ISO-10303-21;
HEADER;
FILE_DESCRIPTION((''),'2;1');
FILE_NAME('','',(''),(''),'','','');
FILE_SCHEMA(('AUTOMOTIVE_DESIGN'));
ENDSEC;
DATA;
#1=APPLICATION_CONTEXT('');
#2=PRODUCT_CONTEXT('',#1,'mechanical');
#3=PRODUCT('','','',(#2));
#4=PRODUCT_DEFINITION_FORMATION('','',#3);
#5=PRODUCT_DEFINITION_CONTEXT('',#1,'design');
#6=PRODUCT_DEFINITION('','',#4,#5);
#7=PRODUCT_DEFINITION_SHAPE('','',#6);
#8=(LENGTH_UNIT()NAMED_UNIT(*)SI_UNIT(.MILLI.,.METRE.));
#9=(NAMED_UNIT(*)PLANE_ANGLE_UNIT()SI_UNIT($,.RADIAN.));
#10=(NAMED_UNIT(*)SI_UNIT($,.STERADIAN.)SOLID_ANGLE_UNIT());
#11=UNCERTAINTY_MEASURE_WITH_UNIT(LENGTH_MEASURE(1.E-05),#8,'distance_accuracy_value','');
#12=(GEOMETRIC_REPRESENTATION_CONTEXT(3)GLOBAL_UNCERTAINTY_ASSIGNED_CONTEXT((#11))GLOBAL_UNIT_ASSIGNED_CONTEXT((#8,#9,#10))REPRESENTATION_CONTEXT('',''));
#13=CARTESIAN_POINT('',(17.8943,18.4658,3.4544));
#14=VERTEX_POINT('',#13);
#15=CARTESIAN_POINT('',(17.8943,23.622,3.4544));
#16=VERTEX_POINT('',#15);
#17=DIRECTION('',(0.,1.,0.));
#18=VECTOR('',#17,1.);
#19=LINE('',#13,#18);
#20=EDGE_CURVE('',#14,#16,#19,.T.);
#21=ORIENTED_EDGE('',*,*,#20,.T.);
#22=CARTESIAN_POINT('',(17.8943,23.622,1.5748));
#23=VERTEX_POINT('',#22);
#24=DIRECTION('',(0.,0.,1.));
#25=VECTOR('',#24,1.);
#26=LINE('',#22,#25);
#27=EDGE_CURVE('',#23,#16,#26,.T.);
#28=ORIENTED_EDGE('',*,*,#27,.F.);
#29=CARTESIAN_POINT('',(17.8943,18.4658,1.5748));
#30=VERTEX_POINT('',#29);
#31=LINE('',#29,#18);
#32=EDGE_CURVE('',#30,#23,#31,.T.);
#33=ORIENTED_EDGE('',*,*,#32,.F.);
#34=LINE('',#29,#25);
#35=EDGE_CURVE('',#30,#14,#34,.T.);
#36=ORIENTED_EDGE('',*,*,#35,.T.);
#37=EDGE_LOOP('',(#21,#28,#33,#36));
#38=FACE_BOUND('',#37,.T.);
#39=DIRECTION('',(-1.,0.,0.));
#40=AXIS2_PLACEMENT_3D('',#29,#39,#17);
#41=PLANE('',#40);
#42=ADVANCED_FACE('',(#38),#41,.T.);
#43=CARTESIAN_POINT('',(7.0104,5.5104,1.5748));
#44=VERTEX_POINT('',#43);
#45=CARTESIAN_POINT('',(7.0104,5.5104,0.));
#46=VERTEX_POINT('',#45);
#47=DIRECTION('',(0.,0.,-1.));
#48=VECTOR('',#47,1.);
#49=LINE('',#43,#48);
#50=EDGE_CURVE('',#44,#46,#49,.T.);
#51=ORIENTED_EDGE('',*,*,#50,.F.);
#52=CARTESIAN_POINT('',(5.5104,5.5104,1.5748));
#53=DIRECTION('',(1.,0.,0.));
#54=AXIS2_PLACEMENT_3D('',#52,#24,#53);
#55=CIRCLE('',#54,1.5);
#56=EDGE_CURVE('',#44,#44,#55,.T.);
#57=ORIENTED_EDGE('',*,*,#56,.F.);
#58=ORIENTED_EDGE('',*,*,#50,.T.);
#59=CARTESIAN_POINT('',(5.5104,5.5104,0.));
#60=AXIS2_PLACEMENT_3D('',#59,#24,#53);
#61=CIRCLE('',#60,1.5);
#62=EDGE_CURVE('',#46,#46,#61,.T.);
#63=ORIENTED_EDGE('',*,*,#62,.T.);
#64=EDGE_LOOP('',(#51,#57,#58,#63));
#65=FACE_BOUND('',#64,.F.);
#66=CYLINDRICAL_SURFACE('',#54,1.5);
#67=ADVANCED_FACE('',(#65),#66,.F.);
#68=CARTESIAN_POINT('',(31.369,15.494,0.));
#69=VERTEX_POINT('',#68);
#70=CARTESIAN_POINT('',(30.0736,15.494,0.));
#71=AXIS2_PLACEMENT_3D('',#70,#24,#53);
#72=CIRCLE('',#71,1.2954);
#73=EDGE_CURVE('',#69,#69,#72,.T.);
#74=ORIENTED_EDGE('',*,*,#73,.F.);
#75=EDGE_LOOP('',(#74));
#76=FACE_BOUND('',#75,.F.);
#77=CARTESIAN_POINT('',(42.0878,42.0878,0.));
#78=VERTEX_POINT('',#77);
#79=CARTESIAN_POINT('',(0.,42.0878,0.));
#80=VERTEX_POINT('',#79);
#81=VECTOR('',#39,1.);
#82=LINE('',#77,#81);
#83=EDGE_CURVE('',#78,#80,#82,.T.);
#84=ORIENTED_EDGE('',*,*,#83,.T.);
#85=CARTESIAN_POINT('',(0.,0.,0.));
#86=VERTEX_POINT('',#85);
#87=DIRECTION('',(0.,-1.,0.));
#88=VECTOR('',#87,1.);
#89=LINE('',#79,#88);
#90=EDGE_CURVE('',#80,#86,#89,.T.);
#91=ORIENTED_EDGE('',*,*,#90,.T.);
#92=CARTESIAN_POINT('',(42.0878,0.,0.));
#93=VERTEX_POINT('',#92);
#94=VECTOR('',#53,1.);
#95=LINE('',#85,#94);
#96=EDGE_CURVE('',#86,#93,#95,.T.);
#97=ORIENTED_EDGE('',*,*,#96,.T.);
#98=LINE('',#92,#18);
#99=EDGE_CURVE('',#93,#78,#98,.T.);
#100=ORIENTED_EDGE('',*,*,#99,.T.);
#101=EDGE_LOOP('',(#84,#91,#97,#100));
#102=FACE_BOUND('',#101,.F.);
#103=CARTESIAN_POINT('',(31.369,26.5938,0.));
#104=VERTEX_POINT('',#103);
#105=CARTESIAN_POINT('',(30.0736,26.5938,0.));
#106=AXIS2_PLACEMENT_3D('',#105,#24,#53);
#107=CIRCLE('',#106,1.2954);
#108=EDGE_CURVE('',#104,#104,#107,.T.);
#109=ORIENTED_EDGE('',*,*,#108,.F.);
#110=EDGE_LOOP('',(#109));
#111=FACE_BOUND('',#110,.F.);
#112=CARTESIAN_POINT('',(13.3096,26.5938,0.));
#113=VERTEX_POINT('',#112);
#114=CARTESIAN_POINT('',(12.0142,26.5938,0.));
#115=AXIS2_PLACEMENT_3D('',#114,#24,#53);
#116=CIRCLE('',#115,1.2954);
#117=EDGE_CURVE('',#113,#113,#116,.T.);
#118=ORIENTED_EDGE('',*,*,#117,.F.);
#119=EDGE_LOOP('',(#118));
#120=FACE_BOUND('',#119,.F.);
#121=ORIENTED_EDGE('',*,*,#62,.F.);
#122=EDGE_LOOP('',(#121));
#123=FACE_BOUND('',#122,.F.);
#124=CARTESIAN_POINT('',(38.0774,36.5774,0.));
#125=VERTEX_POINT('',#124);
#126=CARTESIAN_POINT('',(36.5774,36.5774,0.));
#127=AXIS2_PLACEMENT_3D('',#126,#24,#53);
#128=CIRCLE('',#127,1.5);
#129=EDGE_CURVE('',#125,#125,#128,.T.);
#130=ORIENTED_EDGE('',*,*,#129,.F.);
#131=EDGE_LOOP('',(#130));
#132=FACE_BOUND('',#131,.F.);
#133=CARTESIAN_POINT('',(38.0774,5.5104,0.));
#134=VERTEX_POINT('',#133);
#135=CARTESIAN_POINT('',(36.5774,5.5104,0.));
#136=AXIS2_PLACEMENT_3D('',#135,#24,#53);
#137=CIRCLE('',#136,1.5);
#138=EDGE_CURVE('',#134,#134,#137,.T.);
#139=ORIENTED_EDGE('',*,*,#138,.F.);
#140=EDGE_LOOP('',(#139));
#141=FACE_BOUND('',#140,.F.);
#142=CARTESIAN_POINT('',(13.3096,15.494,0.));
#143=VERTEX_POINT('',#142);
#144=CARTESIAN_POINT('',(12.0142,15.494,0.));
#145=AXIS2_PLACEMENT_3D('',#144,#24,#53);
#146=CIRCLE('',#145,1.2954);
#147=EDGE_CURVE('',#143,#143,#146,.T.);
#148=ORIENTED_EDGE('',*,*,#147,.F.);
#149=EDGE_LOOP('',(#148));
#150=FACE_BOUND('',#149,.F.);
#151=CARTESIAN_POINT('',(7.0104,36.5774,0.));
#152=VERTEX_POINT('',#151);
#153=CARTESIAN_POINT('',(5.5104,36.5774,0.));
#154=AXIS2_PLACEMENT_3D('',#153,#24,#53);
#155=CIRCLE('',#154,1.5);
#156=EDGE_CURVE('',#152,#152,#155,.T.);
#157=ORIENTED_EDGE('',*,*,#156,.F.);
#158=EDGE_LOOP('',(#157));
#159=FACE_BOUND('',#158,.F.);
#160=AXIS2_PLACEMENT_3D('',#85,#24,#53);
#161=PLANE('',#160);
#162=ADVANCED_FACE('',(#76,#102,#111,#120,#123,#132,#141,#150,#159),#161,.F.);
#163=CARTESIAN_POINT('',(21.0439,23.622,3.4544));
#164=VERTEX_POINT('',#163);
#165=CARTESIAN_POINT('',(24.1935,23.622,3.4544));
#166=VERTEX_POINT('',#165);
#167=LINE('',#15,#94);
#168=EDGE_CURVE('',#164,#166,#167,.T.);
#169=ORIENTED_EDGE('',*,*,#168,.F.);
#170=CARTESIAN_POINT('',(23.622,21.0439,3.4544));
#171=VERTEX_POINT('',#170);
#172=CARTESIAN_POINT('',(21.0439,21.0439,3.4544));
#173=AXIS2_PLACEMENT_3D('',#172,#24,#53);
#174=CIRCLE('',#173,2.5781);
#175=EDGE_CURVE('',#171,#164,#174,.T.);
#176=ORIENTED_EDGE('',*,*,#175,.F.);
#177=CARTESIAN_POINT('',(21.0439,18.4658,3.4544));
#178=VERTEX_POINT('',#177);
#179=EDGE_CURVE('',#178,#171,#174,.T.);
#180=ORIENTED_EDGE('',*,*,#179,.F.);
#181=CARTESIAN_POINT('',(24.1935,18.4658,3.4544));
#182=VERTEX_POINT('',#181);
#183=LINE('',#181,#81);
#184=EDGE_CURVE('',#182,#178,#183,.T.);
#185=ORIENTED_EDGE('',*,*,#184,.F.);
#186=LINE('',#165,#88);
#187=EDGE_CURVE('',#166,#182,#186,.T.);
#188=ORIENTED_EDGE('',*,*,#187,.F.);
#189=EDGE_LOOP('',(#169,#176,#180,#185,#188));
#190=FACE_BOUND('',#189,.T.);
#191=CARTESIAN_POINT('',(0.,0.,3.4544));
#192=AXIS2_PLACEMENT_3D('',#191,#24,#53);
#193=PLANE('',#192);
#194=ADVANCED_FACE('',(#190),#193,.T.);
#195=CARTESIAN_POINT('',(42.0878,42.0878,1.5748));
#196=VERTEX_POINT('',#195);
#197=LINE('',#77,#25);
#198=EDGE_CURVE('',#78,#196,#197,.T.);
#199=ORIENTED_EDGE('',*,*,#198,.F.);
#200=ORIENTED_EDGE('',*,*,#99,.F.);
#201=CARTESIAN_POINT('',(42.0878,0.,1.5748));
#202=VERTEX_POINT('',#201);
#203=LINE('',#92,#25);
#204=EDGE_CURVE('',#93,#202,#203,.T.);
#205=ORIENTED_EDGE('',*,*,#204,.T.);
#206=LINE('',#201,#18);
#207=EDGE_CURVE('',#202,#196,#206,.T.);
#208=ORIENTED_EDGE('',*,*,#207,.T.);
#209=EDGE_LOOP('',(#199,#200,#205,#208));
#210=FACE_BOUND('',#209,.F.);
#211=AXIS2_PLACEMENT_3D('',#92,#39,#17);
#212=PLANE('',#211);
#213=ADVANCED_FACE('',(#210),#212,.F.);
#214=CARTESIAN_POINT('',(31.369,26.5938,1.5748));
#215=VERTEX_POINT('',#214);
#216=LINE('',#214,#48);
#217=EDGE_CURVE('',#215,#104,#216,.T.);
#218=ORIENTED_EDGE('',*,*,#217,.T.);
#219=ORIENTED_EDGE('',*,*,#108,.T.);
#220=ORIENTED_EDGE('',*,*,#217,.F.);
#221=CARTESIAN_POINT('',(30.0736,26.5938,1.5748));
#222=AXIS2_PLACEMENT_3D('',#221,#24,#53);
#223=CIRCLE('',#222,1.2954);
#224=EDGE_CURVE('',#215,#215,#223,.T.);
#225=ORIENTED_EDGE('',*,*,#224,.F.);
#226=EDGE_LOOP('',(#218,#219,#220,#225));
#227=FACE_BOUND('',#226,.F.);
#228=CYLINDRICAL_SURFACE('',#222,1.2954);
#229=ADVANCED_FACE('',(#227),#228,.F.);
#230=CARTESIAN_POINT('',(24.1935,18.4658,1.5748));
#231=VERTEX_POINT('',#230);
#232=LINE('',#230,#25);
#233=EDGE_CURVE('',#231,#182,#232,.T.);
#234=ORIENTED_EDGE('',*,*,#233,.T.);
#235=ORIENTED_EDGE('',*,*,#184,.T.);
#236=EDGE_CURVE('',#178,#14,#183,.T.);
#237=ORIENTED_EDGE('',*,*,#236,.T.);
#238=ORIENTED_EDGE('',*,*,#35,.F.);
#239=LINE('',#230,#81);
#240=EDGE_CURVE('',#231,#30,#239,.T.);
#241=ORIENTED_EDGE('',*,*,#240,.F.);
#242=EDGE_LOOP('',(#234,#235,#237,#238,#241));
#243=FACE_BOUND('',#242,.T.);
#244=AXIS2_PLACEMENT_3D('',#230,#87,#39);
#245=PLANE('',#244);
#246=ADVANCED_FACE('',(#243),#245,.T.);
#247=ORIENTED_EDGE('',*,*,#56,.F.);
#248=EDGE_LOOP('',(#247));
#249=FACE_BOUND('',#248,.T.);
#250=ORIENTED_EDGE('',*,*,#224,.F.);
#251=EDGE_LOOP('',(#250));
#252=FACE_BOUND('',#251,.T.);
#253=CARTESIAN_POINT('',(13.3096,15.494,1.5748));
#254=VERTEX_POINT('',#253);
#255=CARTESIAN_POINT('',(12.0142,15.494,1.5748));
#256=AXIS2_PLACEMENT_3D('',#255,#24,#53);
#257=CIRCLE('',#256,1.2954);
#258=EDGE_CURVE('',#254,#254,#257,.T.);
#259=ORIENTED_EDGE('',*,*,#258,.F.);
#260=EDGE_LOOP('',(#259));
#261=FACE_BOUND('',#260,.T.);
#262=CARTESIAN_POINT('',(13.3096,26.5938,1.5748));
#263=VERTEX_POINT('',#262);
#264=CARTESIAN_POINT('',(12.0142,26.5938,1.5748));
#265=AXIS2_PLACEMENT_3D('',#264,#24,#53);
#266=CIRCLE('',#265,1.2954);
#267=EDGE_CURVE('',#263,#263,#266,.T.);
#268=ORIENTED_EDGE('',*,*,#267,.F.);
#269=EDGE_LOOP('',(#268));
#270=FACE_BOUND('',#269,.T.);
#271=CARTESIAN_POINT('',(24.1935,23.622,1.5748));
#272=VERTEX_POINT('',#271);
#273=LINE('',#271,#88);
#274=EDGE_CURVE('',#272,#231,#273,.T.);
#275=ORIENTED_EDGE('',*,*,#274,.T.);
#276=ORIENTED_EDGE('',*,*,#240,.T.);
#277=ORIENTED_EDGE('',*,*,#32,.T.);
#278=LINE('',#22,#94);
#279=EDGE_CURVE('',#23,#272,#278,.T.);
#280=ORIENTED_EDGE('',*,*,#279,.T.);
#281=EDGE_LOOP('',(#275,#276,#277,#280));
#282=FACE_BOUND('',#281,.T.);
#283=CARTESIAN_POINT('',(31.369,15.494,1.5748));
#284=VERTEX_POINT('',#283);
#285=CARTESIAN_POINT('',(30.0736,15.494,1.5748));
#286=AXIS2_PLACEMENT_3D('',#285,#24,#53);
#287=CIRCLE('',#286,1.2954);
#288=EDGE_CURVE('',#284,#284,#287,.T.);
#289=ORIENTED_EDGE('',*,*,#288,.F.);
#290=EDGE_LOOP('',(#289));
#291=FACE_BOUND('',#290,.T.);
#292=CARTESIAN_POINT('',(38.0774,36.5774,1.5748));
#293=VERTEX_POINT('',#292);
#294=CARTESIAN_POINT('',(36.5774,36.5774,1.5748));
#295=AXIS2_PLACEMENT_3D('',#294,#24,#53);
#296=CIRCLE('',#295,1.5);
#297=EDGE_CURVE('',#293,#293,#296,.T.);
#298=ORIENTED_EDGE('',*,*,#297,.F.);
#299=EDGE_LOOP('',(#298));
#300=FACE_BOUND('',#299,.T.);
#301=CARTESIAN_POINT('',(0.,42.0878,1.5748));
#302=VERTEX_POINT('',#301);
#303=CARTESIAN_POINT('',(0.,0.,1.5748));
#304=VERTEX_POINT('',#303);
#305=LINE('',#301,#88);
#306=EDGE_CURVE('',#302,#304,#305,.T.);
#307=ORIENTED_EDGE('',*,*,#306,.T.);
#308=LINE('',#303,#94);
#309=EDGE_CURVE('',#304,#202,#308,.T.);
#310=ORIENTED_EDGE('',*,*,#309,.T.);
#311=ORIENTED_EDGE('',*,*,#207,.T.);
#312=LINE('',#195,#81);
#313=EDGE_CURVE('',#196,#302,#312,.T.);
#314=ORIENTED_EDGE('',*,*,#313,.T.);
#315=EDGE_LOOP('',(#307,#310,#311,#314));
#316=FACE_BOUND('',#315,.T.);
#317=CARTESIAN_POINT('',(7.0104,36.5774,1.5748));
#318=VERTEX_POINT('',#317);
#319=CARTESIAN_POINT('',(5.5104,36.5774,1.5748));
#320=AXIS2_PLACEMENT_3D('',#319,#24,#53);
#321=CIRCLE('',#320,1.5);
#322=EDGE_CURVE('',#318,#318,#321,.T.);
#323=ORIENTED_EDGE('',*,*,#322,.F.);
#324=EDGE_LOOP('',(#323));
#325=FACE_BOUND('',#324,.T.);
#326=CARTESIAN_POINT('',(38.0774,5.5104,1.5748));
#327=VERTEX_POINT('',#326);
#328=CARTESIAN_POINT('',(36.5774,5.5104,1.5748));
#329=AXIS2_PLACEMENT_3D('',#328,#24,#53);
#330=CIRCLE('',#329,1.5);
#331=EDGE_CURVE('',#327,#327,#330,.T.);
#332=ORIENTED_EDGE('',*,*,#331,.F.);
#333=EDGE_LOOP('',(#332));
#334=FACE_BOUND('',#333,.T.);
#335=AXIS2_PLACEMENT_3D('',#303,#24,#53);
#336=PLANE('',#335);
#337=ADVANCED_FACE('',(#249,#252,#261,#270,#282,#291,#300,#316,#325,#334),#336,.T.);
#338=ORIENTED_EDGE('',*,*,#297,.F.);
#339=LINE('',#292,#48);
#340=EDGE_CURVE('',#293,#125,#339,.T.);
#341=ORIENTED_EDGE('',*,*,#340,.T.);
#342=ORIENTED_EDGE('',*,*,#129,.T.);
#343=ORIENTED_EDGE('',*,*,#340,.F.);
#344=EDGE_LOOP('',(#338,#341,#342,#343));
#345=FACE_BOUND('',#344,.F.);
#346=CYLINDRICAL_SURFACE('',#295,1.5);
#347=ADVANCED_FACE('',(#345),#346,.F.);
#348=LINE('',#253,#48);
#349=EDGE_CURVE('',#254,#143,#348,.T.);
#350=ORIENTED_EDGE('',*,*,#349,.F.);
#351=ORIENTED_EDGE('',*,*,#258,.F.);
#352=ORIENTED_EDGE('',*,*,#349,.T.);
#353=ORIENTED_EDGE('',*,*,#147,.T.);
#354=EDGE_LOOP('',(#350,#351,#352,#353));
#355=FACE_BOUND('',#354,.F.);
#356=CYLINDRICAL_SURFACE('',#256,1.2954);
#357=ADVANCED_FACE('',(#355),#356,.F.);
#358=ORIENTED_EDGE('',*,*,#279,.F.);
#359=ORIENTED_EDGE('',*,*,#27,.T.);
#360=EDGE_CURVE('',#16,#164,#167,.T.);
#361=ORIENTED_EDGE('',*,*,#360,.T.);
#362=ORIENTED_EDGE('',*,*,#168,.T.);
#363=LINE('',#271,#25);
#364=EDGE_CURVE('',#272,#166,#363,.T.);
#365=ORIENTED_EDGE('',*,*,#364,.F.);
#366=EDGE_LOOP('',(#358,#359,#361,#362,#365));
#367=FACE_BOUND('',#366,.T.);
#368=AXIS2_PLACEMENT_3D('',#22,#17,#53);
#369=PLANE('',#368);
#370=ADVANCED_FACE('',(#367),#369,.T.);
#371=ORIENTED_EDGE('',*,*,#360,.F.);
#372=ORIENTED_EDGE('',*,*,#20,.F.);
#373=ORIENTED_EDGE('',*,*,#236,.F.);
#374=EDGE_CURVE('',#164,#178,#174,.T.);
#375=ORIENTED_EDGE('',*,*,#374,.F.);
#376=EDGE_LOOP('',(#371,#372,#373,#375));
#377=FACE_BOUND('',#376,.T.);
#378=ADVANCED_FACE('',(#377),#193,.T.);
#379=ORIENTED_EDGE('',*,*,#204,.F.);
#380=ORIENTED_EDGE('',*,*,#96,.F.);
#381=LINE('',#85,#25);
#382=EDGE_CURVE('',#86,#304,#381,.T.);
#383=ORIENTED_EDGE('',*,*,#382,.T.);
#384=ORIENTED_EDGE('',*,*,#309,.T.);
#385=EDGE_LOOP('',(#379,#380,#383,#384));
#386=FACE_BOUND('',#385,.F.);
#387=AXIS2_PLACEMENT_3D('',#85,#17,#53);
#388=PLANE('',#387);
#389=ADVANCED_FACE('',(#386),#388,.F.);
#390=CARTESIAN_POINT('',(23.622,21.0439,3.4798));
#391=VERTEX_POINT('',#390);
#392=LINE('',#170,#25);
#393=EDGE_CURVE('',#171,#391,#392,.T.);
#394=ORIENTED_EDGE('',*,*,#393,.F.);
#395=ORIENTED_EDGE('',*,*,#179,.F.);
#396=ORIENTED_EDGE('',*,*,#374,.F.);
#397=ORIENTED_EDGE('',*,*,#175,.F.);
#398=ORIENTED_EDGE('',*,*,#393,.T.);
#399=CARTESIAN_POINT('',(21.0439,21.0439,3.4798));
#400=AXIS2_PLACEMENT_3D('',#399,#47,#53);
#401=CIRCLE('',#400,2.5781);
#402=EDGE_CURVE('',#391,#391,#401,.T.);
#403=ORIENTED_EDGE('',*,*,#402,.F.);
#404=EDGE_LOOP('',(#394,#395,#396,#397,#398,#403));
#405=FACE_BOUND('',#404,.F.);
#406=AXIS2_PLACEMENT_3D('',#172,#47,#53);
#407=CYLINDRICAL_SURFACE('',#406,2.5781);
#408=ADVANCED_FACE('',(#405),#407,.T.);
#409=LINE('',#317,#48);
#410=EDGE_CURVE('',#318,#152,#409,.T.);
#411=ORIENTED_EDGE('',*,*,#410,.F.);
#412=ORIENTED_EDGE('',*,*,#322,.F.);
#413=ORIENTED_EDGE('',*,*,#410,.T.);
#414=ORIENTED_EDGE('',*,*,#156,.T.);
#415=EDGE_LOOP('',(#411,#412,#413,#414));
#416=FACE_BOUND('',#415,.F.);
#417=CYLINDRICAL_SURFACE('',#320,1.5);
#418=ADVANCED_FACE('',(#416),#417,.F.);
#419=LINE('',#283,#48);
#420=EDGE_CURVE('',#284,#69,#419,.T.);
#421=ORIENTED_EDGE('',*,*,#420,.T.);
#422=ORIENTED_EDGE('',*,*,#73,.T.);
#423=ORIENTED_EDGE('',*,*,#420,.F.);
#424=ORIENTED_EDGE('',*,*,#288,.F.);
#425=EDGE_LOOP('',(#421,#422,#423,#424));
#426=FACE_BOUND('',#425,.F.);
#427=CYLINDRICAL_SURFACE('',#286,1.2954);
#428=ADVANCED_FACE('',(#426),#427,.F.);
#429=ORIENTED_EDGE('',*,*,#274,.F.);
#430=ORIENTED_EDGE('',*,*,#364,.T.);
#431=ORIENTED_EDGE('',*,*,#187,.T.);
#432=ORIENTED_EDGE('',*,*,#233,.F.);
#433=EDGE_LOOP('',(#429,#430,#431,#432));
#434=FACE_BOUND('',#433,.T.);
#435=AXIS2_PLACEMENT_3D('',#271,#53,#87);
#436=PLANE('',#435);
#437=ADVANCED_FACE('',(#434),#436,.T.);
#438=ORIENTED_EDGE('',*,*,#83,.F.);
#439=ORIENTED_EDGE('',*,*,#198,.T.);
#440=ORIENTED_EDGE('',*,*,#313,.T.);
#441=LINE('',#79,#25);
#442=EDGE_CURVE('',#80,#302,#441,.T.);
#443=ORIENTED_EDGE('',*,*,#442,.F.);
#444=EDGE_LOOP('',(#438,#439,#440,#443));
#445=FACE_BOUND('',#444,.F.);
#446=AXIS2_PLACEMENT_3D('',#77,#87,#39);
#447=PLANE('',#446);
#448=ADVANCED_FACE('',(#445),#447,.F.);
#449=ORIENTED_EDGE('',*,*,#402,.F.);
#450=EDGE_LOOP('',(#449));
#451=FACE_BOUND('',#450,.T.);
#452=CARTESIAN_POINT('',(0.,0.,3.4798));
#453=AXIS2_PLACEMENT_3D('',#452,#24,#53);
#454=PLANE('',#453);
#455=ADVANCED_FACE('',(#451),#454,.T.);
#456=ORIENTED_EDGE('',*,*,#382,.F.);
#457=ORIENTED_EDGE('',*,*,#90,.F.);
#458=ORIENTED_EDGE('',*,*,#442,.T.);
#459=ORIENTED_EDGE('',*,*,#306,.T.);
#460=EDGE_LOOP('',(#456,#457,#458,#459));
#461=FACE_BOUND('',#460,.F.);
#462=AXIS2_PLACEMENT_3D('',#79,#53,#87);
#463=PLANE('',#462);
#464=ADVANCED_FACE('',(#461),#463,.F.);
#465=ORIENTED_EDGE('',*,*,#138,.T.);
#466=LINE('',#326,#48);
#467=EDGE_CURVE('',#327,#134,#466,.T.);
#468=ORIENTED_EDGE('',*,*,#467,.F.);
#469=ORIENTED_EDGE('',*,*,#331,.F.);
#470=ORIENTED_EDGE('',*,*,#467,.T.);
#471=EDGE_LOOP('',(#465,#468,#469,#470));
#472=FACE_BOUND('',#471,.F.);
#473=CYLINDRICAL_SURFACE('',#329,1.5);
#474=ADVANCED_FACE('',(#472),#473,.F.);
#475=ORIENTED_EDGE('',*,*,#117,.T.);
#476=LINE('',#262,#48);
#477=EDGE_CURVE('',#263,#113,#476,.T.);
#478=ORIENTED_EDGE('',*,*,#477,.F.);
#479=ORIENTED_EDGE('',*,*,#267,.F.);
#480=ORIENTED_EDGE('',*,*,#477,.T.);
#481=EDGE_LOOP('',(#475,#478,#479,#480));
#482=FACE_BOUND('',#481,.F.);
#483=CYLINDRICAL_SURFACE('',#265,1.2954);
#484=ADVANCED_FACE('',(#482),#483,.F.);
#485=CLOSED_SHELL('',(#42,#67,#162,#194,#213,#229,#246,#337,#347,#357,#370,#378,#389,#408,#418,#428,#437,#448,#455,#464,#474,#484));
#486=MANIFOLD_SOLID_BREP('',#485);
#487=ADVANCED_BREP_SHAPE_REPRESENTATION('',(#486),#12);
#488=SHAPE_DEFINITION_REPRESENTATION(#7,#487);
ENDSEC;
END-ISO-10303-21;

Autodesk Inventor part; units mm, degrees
ref_plane "YZ Plane" through (0, 0, 0) normal (1, 0, 0) x (0, 1, 0)
ref_plane "XZ Plane" through (0, 0, 0) normal (0, 1, 0) x (-1, 0, 0)
ref_plane "XY Plane" through (0, 0, 0) normal (0, 0, 1) x (1, 0, 0)
sketch "Sketch1" plane through (0, 0, 0) normal (0, 0, 1) x (1, 0, 0)
  line L0 (0, 0) -> (42.0878, 0)
  line L1 (42.0878, 0) -> (42.0878, 42.0878)
  line L2 (42.0878, 42.0878) -> (0, 42.0878)
  line L3 (0, 42.0878) -> (0, 0)
  dimension "d0" = 42.0878
  dimension "d1" = 42.0878
extrude "Extrusion1" add sketch "Sketch1" along normal blind 1.5748
sketch "Sketch2" plane through (0, 0, 1.5748) normal (0, 0, 1) x (1, 0, 0)
  line L0 (0, 0) -> (42.0878, 0) projected
  line L1 (42.0878, 0) -> (42.0878, 42.0878) projected
  line L2 (42.0878, 42.0878) -> (0, 42.0878) projected
  line L3 (0, 42.0878) -> (0, 0) projected
  circle A0 centre (5.5104, 36.5774) radius 1.5
  circle A1 centre (36.5774, 36.5774) radius 1.5
  circle A2 centre (36.5774, 5.5104) radius 1.5
  circle A3 centre (5.5104, 5.5104) radius 1.5
  circle A4 centre (12.0142, 26.5938) radius 1.2954
  circle A5 centre (30.0736, 26.5938) radius 1.2954
  circle A6 centre (12.0142, 15.494) radius 1.2954
  circle A7 centre (30.0736, 15.494) radius 1.2954
  dimension "d4" = 3
  dimension "d5" = 2.5908
  dimension "d6" = 28.067
  dimension "d7" = 4.0104
  dimension "d8" = 4.0104
  dimension "d9" = 28.067
  dimension "d10" = 4.0104
  dimension "d11" = 15.4686
  dimension "d12" = 8.509
  dimension "d13" = 10.7188
  dimension "d14" = 10.7188
  dimension "d15" = 14.1986
  dimension "d16" = 14.1986
extrude "Extrusion2" cut sketch "Sketch2" against normal through all contours A0 | A1 | A2 | A3 | A4 | A5 | A6 | A7
sketch "Sketch3" plane through (0, 0, 1.5748) normal (0, 0, 1) x (1, 0, 0)
  line L0 (0, 0) -> (42.0878, 0) projected
  line L1 (42.0878, 0) -> (42.0878, 42.0878) projected
  line L2 (42.0878, 42.0878) -> (0, 42.0878) projected
  line L3 (0, 42.0878) -> (0, 0) projected
  line L4 (17.8943, 23.622) -> (24.1935, 23.622)
  line L5 (24.1935, 23.622) -> (24.1935, 18.4658)
  line L6 (24.1935, 18.4658) -> (17.8943, 18.4658)
  line L7 (17.8943, 18.4658) -> (17.8943, 23.622)
  dimension "d19" = 6.2992
  dimension "d20" = 5.1562
  dimension "d21" = 18.4658
  dimension "d22" = 18.4658
  dimension "d23" = 17.8943
  dimension "d24" = 17.8943
extrude "Extrusion3" add sketch "Sketch3" along normal blind 1.8796 contours L4 L5 L6 L7
sketch "Sketch4" plane through (0, 0, 3.4544) normal (0, 0, 1) x (1, 0, 0)
  line L0 (24.1935, 23.622) -> (17.8943, 23.622) projected
  line L1 (17.8943, 23.622) -> (17.8943, 18.4658) projected
  line L2 (17.8943, 18.4658) -> (24.1935, 18.4658) projected
  line L3 (24.1935, 18.4658) -> (24.1935, 23.622) projected
  circle A0 centre (21.0439, 21.0439) radius 2.5781
  point P0 (0, 0)
  dimension "d27" = 3.1496
  dimension "d28" = 3.1496
extrude "Extrusion4" add sketch "Sketch4" along normal blind 0.0254 contours A0
equation "\"d1\" = d0"
equation "\"d7\" = d8"
equation "\"d9\" = d6"
equation "\"d10\" = d8"
equation "\"d13\" = d14"
equation "\"d15\" = d16"
equation "\"d21\" = d22"
equation "\"d23\" = d24"
equation "\"d27\" = d28"
properties part number "Board"
